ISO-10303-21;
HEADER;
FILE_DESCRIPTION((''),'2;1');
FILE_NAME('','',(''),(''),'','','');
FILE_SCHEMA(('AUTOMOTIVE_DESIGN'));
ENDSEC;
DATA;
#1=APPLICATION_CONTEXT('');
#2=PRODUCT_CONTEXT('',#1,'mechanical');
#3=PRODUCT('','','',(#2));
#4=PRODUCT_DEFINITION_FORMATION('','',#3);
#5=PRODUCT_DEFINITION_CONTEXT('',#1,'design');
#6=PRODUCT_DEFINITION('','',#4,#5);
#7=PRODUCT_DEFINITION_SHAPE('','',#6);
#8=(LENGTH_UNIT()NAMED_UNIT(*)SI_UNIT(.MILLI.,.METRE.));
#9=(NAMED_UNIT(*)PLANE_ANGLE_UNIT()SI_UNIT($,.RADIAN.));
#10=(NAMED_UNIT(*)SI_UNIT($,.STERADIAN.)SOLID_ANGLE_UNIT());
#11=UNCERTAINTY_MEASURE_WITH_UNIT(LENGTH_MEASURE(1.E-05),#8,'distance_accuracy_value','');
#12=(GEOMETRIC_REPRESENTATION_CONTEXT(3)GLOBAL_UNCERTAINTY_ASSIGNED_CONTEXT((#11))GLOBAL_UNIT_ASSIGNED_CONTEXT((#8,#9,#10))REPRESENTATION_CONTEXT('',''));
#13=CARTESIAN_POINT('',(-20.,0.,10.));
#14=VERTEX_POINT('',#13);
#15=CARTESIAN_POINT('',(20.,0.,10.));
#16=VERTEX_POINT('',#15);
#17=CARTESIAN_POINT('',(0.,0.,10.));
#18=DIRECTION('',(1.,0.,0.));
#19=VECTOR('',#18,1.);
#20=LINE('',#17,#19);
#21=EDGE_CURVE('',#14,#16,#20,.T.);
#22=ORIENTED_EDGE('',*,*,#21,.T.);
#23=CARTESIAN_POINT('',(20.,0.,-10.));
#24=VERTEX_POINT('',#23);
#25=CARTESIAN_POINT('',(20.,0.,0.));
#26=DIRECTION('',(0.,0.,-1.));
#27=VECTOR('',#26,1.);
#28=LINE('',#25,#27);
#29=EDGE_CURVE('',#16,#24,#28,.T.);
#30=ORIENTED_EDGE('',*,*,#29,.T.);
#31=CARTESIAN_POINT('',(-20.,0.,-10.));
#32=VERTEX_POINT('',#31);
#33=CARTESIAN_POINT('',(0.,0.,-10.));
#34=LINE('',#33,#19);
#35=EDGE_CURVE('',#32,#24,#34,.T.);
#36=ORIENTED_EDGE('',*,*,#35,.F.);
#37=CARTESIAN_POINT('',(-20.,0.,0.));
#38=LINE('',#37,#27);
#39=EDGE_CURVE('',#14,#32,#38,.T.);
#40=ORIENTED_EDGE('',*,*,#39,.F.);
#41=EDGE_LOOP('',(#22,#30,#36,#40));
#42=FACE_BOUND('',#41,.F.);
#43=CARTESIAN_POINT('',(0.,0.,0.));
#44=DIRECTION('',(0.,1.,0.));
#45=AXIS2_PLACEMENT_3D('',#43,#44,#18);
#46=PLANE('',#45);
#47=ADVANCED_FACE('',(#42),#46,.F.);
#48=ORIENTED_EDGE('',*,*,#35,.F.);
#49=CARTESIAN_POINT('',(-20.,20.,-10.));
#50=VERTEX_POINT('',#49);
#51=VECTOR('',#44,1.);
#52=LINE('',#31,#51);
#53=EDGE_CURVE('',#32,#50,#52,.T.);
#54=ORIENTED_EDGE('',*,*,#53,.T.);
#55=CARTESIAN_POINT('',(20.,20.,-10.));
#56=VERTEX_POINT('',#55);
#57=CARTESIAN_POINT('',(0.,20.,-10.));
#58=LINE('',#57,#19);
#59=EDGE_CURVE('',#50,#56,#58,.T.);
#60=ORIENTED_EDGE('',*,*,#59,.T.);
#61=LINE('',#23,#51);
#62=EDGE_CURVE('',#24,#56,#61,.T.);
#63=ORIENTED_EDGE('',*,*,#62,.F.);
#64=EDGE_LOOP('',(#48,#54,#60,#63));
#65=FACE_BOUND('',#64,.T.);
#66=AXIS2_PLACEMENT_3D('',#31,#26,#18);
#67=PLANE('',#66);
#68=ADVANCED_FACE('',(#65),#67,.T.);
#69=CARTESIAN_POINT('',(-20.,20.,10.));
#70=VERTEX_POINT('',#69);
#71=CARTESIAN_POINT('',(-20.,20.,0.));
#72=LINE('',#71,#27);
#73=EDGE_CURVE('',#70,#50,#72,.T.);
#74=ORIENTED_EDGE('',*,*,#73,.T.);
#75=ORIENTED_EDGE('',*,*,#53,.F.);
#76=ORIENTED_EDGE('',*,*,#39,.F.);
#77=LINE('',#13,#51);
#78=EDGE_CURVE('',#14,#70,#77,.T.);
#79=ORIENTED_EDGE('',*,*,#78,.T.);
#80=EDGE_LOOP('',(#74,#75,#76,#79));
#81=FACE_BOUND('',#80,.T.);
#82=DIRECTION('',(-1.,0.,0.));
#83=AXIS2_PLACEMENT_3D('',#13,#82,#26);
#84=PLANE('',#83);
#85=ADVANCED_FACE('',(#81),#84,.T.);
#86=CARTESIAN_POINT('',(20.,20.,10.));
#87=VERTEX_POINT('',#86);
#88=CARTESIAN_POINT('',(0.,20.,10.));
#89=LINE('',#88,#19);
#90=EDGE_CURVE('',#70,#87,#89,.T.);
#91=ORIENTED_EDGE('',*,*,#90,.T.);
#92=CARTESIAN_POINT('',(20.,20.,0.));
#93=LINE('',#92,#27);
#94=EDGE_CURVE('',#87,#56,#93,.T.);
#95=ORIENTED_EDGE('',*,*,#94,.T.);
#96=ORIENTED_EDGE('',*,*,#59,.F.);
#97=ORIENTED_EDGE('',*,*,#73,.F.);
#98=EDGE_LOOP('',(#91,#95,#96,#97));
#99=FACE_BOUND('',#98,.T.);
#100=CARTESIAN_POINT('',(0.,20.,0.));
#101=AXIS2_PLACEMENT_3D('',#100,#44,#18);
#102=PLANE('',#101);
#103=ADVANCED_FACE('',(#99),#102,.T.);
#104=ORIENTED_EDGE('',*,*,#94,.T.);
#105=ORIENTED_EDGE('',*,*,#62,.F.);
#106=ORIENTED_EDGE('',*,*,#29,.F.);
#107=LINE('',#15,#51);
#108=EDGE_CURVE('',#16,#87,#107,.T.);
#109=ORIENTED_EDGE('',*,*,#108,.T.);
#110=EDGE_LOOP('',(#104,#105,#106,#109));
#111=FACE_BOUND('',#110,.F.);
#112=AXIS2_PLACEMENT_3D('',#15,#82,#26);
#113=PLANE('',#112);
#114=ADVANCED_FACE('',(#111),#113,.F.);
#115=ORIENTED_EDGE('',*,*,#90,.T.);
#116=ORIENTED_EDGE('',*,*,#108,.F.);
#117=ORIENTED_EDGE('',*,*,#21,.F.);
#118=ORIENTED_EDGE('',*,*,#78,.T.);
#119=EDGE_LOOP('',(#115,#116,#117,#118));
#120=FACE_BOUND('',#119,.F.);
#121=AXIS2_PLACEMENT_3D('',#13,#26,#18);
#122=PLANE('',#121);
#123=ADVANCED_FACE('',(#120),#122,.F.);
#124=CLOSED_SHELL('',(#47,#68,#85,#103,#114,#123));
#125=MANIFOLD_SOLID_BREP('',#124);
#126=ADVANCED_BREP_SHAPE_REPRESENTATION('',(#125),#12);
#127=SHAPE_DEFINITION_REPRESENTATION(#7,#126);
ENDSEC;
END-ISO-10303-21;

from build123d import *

# Parameters (mm, degrees)
SKETCH1_W         = 40
SKETCH1_H         = 20
HEATER_BODY_DEPTH = 20


with BuildPart() as part:
    # Sketch1 → Heater Body (new body)
    with BuildSketch(Plane(origin=(0, 0, 0), x_dir=(1, 0, 0), z_dir=(0, 1, 0))):
        Rectangle(SKETCH1_W, SKETCH1_H)
    extrude(amount=HEATER_BODY_DEPTH)


solid = part.part
